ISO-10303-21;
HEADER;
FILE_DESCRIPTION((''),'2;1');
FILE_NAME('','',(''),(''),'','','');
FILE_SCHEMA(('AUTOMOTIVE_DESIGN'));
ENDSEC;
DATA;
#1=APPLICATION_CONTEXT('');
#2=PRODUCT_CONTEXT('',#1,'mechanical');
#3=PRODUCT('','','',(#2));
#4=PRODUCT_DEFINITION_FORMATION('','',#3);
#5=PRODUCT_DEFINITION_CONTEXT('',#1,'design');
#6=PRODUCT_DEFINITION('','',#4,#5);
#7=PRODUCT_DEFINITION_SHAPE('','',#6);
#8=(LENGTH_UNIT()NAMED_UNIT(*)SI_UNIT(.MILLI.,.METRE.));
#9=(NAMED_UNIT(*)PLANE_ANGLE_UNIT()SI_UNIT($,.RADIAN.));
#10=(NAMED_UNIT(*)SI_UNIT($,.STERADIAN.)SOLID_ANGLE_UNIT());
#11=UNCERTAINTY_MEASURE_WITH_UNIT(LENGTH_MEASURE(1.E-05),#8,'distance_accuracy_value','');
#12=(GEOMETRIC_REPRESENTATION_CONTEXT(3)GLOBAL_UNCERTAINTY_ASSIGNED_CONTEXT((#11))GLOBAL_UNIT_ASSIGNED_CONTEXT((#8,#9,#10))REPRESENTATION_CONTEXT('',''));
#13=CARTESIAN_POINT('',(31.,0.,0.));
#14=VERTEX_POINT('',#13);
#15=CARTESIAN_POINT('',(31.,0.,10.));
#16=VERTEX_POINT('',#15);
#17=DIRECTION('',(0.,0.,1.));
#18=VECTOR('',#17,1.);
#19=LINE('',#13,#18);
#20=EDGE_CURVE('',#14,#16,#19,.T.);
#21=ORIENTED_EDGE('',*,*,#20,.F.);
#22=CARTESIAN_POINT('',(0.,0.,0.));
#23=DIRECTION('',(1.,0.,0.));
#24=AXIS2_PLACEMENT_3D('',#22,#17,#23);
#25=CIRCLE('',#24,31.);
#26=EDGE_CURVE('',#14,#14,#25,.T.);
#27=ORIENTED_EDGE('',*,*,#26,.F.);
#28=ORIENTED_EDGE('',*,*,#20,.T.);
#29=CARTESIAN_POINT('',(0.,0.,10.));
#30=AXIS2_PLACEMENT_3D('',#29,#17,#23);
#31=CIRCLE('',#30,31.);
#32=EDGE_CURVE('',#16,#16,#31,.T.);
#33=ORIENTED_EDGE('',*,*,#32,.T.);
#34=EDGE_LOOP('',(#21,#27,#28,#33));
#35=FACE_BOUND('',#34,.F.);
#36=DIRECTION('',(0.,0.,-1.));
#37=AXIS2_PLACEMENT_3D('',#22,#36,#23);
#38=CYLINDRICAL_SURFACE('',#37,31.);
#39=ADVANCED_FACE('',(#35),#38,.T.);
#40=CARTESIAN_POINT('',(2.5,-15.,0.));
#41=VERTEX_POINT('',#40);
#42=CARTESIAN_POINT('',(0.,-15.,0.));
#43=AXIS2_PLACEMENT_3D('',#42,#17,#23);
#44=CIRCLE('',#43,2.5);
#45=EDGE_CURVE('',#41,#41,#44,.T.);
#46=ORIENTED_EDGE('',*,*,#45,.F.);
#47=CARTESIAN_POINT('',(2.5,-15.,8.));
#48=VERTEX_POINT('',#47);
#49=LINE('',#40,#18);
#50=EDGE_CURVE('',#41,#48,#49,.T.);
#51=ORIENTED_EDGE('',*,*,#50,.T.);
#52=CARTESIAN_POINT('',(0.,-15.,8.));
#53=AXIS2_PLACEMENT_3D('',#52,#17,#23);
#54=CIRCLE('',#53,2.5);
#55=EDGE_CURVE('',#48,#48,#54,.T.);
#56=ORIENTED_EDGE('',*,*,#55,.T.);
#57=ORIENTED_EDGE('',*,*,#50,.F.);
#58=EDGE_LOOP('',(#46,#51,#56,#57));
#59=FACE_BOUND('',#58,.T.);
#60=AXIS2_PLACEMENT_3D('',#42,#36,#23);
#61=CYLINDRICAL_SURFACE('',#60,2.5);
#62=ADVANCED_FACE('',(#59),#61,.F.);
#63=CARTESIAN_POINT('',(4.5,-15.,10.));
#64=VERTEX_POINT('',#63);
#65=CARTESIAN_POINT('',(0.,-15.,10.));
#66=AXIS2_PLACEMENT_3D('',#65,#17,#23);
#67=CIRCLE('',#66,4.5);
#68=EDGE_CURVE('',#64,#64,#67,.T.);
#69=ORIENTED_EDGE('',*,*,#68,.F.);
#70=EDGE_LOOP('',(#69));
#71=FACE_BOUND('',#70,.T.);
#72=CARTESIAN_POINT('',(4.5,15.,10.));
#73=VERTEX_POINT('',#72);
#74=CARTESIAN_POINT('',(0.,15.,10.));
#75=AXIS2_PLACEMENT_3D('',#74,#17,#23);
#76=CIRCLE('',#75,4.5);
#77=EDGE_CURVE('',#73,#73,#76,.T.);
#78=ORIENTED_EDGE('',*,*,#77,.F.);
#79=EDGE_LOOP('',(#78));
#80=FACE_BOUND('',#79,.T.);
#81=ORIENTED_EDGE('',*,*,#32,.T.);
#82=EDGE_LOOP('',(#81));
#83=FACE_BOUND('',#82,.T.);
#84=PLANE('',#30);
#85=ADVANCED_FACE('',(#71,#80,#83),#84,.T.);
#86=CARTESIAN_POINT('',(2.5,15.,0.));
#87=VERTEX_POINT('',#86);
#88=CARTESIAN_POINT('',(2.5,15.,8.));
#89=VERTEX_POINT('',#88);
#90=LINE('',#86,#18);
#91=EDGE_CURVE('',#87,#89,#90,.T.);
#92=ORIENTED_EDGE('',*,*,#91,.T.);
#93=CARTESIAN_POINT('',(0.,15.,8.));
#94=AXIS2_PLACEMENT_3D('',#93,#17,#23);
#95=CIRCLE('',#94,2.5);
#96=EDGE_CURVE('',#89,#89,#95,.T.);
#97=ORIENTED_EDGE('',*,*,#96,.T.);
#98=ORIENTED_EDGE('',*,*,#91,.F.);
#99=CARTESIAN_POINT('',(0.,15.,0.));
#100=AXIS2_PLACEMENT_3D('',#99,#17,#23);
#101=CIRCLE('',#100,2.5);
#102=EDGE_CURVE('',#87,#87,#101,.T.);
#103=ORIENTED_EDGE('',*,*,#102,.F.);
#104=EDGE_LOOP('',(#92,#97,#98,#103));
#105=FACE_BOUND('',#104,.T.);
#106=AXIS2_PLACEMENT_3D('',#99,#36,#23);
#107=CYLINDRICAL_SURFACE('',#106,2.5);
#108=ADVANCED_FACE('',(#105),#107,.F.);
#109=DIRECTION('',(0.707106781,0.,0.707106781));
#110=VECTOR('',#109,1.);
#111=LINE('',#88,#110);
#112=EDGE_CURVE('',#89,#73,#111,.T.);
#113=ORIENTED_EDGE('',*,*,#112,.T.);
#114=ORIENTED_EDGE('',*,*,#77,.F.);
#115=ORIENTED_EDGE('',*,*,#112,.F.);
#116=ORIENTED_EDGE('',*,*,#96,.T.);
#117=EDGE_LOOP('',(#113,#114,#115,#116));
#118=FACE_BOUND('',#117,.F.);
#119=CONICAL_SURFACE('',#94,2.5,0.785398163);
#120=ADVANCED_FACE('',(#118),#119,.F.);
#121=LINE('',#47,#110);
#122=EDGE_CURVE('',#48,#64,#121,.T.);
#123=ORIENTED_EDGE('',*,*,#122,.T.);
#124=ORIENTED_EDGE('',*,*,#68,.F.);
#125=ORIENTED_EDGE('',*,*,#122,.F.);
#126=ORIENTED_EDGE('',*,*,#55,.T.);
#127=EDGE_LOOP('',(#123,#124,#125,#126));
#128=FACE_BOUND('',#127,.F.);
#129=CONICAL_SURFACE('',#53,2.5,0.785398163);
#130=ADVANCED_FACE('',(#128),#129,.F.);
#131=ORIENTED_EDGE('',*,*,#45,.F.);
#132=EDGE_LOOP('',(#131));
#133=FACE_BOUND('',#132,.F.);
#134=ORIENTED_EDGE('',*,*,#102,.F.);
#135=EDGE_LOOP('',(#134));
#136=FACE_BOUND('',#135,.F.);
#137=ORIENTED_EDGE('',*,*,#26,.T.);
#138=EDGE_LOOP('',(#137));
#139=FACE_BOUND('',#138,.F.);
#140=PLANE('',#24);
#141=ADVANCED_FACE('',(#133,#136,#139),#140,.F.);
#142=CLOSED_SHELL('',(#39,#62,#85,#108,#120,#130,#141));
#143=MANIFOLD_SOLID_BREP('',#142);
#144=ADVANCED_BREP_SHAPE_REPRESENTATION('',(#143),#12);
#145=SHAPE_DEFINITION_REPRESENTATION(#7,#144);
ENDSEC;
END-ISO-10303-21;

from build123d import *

# Parameters (mm, degrees)
F0_R     = 31
F0_R_2   = 2.5
F1_DEPTH = 10
F2_SIZE  = 2


with BuildPart() as f1:
    # F0 (on Top) → F1 (new body)
    with BuildSketch(Plane.XY):
        Circle(F0_R)
        with Locations((0, -15)):
            Circle(F0_R_2, mode=Mode.SUBTRACT)
        with Locations((0, 15)):
            Circle(F0_R_2, mode=Mode.SUBTRACT)
    extrude(amount=F1_DEPTH)

    # F2
    f2_edges = [f1.edges().sort_by_distance(p)[0] for p in [
        (-2.5, 15, 10),
        (-2.5, -15, 10),
    ]]
    chamfer(f2_edges, length=F2_SIZE)


solid = f1.part
